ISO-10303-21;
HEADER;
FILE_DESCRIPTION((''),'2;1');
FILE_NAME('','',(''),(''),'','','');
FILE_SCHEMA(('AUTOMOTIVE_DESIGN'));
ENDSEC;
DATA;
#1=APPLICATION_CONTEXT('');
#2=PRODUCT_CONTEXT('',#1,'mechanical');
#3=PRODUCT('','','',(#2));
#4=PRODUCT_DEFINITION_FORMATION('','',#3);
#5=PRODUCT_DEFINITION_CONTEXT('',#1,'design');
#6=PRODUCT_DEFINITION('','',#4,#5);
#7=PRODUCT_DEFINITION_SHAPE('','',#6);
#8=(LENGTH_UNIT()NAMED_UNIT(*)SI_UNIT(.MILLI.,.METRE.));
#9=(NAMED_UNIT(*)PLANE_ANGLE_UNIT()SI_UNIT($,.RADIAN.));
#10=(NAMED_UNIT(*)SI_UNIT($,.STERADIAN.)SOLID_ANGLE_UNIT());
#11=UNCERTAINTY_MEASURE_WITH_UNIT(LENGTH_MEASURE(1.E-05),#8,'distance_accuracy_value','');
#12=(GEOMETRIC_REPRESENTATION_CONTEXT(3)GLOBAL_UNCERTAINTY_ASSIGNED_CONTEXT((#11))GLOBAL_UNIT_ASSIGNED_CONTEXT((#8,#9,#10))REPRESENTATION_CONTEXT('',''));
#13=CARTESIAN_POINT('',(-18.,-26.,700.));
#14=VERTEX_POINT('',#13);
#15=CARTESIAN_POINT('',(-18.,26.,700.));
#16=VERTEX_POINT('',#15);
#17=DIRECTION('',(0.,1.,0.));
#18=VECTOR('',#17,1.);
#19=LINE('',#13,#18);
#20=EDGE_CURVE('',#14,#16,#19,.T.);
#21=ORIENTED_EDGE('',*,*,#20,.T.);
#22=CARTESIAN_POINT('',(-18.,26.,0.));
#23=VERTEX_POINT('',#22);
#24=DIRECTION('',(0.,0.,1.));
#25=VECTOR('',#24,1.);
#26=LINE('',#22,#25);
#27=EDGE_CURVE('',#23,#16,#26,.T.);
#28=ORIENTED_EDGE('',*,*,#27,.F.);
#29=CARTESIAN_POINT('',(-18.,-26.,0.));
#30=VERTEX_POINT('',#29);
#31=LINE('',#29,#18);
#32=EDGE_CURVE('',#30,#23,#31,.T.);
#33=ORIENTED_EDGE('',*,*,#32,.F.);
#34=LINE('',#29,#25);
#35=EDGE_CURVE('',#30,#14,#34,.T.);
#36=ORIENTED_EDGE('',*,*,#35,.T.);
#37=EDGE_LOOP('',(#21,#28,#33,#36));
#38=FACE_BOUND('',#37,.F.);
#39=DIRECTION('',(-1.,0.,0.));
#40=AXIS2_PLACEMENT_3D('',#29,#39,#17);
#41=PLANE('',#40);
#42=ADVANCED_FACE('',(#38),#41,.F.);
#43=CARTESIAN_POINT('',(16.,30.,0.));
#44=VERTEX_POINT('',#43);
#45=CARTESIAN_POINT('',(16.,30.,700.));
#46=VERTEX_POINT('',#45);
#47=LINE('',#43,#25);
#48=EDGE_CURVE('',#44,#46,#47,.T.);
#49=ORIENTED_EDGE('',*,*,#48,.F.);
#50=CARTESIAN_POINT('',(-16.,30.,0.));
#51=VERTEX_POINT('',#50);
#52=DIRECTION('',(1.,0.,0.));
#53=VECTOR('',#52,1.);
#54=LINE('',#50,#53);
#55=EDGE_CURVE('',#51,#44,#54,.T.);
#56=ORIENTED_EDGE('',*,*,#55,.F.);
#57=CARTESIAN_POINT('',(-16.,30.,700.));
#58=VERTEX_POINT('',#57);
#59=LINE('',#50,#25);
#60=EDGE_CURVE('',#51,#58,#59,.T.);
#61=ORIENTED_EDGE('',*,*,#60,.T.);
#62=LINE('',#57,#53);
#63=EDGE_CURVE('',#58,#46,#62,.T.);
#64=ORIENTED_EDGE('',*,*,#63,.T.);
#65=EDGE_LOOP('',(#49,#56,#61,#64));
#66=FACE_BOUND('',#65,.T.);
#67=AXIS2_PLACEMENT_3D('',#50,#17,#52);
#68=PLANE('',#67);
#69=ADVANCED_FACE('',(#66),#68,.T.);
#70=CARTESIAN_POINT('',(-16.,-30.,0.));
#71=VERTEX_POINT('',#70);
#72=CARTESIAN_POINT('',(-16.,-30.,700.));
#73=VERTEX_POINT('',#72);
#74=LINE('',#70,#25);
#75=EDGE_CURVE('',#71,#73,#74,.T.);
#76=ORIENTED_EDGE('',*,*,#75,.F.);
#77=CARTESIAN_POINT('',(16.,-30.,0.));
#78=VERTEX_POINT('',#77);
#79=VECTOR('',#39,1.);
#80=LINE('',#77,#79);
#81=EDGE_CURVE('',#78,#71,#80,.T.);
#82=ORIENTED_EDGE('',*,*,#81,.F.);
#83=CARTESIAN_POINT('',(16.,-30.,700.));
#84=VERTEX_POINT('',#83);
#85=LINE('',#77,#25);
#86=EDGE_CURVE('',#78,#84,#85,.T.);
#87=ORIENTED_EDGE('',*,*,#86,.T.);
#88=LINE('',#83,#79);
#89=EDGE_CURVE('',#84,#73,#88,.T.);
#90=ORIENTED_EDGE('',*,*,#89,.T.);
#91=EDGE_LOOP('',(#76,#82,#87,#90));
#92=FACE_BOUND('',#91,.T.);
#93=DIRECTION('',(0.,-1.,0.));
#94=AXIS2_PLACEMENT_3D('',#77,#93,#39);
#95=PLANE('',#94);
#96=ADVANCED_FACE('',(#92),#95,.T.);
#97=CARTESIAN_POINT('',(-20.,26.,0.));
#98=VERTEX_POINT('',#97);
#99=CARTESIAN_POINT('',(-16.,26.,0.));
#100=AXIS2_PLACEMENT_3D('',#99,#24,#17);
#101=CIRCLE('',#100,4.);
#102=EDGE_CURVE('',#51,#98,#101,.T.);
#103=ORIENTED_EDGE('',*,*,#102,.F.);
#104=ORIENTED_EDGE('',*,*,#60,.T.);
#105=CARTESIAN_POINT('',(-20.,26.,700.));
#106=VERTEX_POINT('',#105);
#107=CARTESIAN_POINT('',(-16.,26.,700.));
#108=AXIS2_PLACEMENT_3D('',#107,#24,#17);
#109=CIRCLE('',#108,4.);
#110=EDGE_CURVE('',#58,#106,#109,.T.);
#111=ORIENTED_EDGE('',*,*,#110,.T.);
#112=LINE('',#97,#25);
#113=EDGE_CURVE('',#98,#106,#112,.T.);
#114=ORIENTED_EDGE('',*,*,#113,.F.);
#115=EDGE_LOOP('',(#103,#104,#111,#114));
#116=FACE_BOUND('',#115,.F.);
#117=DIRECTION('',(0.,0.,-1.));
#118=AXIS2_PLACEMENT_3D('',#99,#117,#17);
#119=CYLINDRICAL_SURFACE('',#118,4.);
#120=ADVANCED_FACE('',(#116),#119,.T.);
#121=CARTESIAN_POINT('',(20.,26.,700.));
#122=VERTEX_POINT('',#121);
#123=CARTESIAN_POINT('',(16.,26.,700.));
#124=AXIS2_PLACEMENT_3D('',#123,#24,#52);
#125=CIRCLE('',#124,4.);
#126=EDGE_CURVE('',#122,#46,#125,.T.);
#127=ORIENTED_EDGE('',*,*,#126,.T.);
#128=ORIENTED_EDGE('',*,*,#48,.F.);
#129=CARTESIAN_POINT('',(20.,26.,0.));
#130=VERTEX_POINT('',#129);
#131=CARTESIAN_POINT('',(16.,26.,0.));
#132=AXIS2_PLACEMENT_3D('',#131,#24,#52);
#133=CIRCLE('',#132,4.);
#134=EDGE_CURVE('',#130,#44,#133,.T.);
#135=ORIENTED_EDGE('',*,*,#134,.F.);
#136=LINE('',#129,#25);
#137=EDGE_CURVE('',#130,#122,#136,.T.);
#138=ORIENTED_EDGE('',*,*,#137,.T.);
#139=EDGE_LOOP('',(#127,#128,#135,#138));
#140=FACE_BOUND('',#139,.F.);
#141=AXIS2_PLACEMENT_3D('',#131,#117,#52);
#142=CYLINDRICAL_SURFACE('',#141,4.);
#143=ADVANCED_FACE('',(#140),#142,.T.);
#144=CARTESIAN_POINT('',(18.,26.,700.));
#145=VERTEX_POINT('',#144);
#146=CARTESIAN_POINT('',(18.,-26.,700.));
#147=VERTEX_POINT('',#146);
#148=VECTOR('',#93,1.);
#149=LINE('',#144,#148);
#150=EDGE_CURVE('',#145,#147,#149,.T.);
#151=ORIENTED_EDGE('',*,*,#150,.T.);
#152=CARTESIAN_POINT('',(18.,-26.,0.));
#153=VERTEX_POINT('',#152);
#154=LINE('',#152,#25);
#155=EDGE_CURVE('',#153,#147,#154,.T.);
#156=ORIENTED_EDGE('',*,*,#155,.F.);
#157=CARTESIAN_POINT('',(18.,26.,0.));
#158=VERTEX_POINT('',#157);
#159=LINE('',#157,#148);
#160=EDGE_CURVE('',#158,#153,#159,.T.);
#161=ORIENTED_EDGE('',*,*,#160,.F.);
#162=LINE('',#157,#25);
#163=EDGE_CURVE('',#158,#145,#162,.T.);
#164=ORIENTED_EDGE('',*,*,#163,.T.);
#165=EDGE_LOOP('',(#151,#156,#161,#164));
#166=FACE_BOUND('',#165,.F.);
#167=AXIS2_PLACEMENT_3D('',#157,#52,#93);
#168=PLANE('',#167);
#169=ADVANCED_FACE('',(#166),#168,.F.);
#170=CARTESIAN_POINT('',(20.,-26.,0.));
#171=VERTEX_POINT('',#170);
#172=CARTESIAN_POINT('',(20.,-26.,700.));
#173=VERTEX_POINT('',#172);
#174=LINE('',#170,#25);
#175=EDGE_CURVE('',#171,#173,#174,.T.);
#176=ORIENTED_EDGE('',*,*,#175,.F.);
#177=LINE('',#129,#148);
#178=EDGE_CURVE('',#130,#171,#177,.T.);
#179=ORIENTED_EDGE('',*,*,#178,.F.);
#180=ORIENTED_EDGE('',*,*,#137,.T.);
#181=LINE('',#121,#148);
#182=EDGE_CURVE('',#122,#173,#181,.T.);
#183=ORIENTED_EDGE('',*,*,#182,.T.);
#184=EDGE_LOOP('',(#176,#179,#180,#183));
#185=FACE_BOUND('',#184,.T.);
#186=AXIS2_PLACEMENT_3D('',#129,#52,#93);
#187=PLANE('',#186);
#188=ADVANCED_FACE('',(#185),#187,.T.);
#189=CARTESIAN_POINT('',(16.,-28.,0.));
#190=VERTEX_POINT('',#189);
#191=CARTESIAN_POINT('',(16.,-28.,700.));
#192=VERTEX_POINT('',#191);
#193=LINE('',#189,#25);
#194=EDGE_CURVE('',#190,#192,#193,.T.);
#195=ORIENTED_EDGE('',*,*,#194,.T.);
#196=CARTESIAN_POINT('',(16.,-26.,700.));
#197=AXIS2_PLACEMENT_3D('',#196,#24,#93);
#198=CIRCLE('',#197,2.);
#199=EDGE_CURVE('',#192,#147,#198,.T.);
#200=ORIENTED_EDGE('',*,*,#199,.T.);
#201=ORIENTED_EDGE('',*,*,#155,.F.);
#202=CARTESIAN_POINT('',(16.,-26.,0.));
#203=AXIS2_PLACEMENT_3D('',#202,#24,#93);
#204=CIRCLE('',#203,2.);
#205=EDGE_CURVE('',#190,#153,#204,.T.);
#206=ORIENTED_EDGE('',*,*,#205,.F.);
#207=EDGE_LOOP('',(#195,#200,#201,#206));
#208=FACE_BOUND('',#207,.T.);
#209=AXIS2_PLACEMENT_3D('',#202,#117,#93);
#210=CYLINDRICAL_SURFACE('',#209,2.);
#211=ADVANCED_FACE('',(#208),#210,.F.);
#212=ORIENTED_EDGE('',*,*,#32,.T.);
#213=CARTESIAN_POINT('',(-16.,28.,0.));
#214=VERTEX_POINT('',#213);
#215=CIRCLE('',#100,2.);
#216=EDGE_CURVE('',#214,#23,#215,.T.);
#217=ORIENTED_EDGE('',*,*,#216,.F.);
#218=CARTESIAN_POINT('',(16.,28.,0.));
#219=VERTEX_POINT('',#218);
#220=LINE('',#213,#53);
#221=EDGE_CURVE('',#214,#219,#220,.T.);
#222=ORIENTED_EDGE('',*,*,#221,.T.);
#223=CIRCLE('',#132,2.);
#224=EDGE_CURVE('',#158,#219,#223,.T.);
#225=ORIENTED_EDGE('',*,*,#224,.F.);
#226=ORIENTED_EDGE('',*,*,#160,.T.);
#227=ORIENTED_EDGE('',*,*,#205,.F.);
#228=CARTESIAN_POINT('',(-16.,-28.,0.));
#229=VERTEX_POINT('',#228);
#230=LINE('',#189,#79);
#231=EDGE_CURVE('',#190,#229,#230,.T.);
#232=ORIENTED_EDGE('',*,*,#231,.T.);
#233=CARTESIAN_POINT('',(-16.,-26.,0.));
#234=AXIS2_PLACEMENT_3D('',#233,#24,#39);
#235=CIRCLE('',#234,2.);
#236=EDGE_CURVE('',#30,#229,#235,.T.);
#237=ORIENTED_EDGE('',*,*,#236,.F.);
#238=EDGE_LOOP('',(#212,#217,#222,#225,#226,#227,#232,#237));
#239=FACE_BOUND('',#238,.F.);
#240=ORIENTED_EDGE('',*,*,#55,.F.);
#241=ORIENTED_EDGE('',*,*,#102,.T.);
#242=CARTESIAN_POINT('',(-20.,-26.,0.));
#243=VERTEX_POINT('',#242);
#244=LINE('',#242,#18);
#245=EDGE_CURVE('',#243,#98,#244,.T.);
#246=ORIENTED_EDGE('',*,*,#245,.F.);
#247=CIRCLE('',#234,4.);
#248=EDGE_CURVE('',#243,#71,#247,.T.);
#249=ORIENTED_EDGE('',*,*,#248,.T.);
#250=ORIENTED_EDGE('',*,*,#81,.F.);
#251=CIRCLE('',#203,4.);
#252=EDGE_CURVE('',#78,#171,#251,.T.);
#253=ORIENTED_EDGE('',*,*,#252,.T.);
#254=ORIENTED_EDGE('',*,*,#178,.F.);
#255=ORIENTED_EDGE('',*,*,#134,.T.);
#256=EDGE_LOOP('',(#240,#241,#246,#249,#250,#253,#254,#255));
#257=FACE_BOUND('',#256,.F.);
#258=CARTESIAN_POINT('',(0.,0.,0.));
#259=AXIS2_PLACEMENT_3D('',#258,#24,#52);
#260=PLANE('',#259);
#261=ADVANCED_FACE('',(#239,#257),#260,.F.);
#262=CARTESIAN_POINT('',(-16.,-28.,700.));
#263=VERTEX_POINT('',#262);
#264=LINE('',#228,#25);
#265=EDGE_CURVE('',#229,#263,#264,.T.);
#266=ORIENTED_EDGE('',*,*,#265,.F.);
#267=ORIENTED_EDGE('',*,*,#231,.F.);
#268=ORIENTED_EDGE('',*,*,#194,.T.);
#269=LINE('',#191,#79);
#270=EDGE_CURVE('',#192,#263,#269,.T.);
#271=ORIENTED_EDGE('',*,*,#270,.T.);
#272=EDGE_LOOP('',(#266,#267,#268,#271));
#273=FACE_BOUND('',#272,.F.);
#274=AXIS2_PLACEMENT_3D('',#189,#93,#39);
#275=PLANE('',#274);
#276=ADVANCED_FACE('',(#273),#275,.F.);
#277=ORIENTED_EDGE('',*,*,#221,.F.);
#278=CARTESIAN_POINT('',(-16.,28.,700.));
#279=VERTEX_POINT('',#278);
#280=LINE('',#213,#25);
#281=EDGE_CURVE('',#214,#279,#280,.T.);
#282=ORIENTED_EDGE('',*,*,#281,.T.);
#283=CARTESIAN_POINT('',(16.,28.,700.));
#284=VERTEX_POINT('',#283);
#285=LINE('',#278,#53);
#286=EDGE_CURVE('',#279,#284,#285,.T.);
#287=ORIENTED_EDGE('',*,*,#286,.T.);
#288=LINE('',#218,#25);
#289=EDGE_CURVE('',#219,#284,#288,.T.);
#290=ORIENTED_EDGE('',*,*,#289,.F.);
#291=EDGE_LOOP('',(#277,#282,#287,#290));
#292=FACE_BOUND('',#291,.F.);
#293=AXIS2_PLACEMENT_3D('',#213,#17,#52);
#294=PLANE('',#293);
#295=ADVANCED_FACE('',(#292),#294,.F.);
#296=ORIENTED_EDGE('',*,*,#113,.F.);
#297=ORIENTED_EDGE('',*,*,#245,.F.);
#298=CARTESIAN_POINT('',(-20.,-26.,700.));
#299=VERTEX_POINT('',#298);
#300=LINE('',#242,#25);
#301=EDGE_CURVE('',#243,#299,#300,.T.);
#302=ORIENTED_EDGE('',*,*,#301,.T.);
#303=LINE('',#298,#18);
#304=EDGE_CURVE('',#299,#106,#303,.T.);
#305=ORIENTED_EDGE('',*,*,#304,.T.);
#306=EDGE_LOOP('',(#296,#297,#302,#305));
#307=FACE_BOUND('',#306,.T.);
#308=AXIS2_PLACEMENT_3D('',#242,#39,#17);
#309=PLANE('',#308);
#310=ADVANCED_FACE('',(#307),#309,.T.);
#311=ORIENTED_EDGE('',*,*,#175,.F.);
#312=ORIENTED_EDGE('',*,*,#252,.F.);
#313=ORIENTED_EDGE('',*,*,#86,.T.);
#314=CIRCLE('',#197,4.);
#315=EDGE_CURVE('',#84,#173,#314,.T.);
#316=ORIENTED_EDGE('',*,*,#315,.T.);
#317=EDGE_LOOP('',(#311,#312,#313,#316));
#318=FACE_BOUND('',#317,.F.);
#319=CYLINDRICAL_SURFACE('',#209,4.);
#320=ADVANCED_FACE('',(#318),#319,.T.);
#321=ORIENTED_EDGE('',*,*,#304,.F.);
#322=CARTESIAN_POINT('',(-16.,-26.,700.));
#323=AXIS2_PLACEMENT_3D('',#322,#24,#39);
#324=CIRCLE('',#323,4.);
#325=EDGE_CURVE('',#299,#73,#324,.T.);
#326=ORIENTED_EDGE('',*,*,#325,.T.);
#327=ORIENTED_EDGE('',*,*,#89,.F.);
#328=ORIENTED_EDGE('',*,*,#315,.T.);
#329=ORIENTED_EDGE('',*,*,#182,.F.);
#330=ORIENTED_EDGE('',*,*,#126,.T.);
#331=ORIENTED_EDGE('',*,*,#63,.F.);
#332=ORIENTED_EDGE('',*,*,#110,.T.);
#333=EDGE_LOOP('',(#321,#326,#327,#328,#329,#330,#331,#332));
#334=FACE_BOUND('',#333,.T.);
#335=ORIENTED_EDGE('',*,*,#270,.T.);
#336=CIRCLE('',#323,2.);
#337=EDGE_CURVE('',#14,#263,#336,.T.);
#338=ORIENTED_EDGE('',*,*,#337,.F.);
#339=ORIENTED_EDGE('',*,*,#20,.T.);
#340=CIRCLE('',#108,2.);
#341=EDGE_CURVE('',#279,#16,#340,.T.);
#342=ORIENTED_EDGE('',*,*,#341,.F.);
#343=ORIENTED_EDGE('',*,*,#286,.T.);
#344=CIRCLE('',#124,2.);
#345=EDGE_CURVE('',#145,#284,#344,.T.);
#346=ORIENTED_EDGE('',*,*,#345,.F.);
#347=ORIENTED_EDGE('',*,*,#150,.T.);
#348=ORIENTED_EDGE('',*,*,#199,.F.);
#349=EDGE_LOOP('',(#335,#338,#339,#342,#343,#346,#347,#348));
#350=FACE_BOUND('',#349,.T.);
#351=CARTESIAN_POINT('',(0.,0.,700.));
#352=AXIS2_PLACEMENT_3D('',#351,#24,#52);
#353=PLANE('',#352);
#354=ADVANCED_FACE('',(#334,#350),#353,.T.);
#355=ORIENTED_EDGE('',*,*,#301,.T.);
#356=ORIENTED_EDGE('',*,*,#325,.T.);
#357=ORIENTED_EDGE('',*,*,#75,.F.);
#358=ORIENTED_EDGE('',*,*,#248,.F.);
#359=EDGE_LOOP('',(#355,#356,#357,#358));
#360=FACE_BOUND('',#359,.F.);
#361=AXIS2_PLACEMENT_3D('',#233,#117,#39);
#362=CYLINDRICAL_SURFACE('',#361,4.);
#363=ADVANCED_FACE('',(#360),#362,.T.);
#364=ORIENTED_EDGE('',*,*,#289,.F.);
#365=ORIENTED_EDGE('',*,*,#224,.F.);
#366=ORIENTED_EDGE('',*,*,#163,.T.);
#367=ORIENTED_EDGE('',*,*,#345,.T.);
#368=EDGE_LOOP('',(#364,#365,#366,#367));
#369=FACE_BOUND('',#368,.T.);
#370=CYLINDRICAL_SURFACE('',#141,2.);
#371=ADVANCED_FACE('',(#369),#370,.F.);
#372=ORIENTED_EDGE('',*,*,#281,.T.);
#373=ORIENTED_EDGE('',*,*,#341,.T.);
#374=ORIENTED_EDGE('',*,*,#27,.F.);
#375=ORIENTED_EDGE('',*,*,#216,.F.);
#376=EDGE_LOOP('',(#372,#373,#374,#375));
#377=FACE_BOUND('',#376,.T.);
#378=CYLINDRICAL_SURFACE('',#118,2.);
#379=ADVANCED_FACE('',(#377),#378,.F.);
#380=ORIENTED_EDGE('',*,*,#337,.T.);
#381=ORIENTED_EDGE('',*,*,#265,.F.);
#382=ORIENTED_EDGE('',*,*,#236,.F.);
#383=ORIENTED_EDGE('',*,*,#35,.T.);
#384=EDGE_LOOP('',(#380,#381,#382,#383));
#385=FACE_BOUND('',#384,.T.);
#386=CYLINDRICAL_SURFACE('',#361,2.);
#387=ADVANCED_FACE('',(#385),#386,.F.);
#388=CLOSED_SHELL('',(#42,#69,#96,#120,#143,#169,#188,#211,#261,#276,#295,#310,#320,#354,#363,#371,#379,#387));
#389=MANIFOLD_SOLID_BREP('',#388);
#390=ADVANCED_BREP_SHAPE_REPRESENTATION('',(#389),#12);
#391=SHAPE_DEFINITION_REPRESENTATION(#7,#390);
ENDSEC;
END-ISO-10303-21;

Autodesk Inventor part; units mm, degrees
ref_plane "YZ Plane" through (0, 0, 0) normal (1, 0, 0) x (0, 1, 0)
ref_plane "Start Plane" through (0, 0, 0) normal (0, 0, 1) x (1, 0, 0)
ref_plane "End Plane" through (0, 0, 700) normal (0, 0, 1) x (1, 0, 0)
sketch "Sketch" plane through (0, 0, 0) normal (0, 0, 1) x (1, 0, 0)
  line L0 (-20, -26) -> (-20, 26)
  line L1 (-16, 30) -> (16, 30)
  line L2 (20, 26) -> (20, -26)
  line L3 (16, -30) -> (-16, -30)
  arc A0 (-20, -26) -> (-16, -30) centre (-16, -26) ccw
  arc A1 (20, 26) -> (16, 30) centre (16, 26) ccw
  arc A2 (-16, 30) -> (-20, 26) centre (-16, 26) ccw
  arc A3 (16, -30) -> (20, -26) centre (16, -26) ccw
  arc A4 (-16, 28) -> (-18, 26) centre (-16, 26) ccw
  line L4 (-16, 28) -> (16, 28)
  arc A5 (18, 26) -> (16, 28) centre (16, 26) ccw
  line L5 (18, 26) -> (18, -26)
  arc A6 (16, -28) -> (18, -26) centre (16, -26) ccw
  line L6 (16, -28) -> (-16, -28)
  arc A7 (-18, -26) -> (-16, -28) centre (-16, -26) ccw
  line L7 (-18, -26) -> (-18, 26)
  line L8 (0, 43.1598) -> (0, -43.1598) construction
  line L9 (-29.1598, 0) -> (29.1598, 0) construction
  dimension "d7" = 4
  dimension "d9" = 40
  dimension "d11" = 60
  dimension "d12" = 2
  dimension "d15" = 20
  dimension "d16" = 30
extrude "Body" add sketch "Sketch" along normal up to surface (700 mm away) from surface at 0
sketch "Sketch3" plane through (0, 0, 0) normal (0, 0, 1) x (1, 0, 0)
  line L0 (0, 0) -> (10, 0)
ref_plane "Work Plane3" through (0, 0, 0) normal (0, -1, 0) x (1, 0, 0)
sketch "Sketch4" plane through (0, 0, 0) normal (0, -1, 0) x (1, 0, 0)
  line L0 (-2, 0) -> (12, 0) projected
  line L1 (-2, 700) -> (12, 700) projected
  dimension "d18" = 700
equation "\"d7\" = G_IR"
equation "\"d9\" = G_W"
equation "\"d11\" = G_H"
equation "\"d12\" = G_T"
equation "\"d15\" = 0.5 * d9"
equation "\"d16\" = 0.5 * d11"
equation "\"d3\" = G_L"
equation "\"G_W\" = 40"
equation "\"G_H\" = 60"
equation "\"G_T\" = 2"
equation "\"G_IR\" = 4"
equation "\"G_L\" = d18"
equation "\"G_OFFSET_START\" = 0"
equation "\"G_OFFSET_END\" = 0"
properties part number "ISO 10799-2 - 60x40x2 - 700" material "Steel, Mild"
